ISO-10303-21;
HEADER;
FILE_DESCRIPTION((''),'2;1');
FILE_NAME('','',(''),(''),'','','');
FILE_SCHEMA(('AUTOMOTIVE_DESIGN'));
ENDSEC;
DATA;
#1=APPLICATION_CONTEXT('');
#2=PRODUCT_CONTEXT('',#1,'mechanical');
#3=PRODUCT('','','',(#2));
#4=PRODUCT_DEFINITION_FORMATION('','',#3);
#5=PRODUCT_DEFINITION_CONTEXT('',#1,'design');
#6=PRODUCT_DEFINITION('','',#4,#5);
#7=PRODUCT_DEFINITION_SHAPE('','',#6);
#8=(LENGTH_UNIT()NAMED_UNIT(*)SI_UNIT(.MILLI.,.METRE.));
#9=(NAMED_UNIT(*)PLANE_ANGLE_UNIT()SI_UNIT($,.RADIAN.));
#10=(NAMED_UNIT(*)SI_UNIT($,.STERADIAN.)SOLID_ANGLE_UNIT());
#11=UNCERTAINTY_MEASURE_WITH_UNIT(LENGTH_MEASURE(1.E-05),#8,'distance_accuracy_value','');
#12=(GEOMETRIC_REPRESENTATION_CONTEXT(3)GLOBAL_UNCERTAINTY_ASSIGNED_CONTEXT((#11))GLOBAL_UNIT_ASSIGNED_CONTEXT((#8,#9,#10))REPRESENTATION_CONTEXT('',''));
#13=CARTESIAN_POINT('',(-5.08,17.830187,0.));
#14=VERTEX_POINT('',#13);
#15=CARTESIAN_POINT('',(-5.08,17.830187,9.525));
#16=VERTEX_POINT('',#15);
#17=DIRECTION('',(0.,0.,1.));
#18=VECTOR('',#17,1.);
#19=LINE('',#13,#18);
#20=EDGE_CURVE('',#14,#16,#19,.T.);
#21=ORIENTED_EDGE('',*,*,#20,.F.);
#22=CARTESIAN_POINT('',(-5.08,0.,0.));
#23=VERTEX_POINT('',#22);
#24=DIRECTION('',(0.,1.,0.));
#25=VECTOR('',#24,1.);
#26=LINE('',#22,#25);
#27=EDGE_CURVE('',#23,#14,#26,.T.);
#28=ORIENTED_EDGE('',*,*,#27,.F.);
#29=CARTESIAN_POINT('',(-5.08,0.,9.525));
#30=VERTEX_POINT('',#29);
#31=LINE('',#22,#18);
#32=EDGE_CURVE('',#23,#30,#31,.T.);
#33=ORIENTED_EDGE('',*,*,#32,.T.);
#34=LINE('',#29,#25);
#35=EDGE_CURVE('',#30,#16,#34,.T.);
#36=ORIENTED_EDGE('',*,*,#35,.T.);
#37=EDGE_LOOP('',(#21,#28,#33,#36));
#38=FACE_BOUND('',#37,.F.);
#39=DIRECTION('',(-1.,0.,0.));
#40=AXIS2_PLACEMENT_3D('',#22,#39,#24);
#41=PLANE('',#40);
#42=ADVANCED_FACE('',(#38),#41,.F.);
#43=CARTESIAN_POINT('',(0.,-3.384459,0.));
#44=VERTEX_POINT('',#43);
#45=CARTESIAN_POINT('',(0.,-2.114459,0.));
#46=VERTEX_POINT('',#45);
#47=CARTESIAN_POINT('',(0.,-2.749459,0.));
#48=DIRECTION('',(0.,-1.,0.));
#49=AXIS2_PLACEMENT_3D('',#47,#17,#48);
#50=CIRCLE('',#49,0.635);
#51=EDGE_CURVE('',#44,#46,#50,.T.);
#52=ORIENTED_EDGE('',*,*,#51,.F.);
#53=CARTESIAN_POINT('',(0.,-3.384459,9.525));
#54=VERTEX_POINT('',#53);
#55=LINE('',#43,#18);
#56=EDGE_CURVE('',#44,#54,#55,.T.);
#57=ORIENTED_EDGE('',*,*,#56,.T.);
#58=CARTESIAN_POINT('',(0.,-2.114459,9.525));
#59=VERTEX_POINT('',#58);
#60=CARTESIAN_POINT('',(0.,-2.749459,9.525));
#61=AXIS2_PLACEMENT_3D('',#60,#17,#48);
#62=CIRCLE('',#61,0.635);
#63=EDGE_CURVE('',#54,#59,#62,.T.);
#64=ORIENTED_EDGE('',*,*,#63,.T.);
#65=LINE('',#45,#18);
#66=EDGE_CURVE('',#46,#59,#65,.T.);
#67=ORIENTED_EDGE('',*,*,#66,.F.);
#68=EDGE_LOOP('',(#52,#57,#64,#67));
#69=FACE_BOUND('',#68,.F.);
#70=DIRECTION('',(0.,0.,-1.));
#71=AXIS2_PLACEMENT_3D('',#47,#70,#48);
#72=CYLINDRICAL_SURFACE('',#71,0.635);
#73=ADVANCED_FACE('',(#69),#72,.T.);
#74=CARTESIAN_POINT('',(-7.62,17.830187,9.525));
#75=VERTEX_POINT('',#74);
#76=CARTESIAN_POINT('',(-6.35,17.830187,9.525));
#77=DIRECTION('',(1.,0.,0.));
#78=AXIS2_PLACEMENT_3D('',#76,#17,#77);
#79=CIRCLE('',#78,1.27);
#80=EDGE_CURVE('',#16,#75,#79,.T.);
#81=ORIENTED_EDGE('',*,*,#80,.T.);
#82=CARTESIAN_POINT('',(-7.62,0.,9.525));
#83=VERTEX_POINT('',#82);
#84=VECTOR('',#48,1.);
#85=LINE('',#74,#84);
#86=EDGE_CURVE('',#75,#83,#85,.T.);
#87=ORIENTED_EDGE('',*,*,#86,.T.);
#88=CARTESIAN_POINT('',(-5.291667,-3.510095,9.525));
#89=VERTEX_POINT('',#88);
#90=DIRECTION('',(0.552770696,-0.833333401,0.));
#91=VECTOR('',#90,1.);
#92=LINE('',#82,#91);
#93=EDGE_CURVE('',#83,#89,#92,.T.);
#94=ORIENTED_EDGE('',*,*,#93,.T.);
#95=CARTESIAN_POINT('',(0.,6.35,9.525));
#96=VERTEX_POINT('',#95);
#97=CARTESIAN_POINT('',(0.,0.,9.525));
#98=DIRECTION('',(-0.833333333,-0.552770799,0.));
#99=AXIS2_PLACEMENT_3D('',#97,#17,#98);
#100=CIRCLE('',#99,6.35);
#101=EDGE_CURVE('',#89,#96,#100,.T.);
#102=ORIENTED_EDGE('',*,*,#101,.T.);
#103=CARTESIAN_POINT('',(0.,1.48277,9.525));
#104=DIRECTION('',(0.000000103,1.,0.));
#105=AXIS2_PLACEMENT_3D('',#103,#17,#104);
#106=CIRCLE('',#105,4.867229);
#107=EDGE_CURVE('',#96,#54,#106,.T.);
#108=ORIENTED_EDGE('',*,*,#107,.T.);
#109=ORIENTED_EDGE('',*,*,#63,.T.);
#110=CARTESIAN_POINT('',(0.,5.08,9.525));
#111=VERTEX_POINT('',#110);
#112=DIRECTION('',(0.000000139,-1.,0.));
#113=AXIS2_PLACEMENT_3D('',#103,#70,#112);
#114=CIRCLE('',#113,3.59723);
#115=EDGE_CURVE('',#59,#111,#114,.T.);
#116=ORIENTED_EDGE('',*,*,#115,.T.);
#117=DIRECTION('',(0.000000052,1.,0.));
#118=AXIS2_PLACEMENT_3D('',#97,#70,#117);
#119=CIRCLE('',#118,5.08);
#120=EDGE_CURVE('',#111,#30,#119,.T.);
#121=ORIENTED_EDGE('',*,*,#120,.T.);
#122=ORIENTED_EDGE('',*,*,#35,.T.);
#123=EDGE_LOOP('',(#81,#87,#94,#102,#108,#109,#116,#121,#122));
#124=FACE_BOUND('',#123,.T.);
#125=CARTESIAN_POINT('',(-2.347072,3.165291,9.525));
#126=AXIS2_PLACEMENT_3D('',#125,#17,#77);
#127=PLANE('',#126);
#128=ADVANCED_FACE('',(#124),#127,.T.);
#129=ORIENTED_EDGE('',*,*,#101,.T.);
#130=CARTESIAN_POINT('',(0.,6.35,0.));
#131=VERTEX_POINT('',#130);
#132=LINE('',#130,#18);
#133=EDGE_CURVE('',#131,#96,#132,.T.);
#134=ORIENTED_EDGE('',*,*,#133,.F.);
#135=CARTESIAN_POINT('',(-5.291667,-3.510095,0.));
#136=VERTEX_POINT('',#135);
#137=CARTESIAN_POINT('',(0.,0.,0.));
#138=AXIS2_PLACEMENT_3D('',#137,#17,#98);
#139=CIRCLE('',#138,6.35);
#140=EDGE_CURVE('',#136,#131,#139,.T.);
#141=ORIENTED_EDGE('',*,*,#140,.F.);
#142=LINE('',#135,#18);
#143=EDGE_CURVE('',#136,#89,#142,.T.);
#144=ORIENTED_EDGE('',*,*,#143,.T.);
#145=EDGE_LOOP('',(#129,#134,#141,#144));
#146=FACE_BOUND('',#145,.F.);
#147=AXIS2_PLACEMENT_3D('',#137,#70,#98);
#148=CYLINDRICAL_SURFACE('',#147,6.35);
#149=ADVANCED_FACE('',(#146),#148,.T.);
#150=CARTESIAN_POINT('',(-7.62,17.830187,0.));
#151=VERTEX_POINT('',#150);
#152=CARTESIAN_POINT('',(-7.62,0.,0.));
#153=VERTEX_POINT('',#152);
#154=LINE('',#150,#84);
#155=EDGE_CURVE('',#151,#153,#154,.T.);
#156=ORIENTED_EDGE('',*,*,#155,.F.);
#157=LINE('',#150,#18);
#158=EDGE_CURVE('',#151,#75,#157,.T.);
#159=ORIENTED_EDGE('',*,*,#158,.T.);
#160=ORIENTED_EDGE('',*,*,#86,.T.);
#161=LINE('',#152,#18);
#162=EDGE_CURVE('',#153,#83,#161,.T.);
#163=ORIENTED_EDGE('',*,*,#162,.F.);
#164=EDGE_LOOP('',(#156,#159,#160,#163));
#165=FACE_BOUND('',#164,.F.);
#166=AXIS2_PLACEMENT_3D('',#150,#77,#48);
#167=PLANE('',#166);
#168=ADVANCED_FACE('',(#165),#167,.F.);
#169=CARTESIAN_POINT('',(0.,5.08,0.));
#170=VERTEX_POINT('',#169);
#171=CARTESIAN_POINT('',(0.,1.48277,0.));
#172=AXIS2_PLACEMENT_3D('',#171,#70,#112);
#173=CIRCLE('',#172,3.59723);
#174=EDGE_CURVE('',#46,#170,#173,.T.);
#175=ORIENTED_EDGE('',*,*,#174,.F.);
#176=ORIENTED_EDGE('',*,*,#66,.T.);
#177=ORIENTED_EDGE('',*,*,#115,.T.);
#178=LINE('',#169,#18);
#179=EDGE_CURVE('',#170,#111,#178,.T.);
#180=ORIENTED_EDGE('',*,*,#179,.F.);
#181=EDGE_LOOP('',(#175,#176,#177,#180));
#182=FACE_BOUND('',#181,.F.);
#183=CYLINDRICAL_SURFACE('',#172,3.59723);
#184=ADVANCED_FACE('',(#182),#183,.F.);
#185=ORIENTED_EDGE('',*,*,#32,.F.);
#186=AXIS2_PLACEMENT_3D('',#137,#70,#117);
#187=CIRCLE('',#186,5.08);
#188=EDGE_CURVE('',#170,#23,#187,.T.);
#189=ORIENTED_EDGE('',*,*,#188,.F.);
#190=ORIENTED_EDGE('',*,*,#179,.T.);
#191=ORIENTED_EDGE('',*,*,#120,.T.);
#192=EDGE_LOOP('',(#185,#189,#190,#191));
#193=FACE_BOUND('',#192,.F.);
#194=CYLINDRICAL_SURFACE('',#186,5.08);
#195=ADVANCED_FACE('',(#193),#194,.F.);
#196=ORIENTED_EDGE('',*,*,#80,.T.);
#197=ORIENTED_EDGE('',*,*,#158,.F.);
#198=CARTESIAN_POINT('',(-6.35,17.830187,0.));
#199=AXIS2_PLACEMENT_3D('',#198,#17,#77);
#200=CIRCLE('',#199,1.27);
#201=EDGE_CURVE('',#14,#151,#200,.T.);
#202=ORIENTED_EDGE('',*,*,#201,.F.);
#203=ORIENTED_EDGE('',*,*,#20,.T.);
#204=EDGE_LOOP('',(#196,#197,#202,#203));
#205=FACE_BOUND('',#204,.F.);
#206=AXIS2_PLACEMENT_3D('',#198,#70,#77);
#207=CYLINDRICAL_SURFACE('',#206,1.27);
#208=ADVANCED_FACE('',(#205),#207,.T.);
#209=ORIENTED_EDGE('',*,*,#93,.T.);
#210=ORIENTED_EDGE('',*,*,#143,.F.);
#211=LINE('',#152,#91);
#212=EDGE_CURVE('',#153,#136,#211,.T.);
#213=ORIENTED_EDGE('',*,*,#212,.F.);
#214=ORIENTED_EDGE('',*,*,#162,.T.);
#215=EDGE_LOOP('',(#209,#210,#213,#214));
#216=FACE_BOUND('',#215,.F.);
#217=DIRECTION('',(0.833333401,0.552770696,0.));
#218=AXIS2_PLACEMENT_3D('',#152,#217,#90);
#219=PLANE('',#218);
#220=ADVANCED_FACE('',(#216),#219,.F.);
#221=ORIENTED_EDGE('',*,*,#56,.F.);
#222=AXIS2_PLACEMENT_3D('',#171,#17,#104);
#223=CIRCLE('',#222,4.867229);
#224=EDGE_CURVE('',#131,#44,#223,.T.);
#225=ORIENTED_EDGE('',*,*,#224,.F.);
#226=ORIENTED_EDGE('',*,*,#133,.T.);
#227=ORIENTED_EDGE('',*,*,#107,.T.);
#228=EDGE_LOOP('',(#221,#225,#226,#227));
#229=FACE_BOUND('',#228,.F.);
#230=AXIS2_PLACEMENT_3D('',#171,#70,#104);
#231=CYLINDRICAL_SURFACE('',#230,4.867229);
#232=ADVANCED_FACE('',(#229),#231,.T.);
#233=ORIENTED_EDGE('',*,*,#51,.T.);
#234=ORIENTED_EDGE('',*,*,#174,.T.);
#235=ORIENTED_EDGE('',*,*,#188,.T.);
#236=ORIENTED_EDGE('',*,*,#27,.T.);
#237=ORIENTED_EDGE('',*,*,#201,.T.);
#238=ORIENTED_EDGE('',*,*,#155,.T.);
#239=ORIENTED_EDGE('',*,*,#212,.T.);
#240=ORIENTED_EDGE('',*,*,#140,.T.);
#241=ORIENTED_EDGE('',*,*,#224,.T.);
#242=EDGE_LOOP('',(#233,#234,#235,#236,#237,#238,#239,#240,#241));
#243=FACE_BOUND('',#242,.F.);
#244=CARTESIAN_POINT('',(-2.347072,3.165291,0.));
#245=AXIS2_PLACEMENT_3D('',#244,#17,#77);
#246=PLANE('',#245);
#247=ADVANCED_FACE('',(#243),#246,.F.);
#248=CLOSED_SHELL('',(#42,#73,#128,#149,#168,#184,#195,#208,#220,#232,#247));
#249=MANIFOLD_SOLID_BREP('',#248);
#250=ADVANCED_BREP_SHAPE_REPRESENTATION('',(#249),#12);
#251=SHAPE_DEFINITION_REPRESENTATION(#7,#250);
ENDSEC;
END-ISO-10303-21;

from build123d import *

# Parameters (mm, degrees)
F1_DEPTH = 9.525


with BuildPart() as f1:
    # F0 (on Top) → F1 (new body)
    with BuildSketch(Plane.XY):
        with BuildLine():
            Line((-7.62, 0), (-5.291667, -3.510095))
            ThreePointArc((-5.291667, -3.510095), (5.595159, -3.002782), (0, 6.35))
            ThreePointArc((0, 6.35), (-4.86723, 1.48277), (0, -3.384459))
            ThreePointArc((0, -3.384459), (0.635, -2.749459), (0, -2.114459))
            ThreePointArc((0, -2.114459), (-3.59723, 1.48277), (0, 5.08))
            ThreePointArc((0, 5.08), (3.592102, -3.592102), (-5.08, 0))
            Line((-5.08, 0), (-5.08, 17.830187))
            ThreePointArc((-5.08, 17.830187), (-6.35, 19.100187), (-7.62, 17.830187))
            Line((-7.62, 17.830187), (-7.62, 0))
        make_face()
    extrude(amount=F1_DEPTH)


solid = f1.part
